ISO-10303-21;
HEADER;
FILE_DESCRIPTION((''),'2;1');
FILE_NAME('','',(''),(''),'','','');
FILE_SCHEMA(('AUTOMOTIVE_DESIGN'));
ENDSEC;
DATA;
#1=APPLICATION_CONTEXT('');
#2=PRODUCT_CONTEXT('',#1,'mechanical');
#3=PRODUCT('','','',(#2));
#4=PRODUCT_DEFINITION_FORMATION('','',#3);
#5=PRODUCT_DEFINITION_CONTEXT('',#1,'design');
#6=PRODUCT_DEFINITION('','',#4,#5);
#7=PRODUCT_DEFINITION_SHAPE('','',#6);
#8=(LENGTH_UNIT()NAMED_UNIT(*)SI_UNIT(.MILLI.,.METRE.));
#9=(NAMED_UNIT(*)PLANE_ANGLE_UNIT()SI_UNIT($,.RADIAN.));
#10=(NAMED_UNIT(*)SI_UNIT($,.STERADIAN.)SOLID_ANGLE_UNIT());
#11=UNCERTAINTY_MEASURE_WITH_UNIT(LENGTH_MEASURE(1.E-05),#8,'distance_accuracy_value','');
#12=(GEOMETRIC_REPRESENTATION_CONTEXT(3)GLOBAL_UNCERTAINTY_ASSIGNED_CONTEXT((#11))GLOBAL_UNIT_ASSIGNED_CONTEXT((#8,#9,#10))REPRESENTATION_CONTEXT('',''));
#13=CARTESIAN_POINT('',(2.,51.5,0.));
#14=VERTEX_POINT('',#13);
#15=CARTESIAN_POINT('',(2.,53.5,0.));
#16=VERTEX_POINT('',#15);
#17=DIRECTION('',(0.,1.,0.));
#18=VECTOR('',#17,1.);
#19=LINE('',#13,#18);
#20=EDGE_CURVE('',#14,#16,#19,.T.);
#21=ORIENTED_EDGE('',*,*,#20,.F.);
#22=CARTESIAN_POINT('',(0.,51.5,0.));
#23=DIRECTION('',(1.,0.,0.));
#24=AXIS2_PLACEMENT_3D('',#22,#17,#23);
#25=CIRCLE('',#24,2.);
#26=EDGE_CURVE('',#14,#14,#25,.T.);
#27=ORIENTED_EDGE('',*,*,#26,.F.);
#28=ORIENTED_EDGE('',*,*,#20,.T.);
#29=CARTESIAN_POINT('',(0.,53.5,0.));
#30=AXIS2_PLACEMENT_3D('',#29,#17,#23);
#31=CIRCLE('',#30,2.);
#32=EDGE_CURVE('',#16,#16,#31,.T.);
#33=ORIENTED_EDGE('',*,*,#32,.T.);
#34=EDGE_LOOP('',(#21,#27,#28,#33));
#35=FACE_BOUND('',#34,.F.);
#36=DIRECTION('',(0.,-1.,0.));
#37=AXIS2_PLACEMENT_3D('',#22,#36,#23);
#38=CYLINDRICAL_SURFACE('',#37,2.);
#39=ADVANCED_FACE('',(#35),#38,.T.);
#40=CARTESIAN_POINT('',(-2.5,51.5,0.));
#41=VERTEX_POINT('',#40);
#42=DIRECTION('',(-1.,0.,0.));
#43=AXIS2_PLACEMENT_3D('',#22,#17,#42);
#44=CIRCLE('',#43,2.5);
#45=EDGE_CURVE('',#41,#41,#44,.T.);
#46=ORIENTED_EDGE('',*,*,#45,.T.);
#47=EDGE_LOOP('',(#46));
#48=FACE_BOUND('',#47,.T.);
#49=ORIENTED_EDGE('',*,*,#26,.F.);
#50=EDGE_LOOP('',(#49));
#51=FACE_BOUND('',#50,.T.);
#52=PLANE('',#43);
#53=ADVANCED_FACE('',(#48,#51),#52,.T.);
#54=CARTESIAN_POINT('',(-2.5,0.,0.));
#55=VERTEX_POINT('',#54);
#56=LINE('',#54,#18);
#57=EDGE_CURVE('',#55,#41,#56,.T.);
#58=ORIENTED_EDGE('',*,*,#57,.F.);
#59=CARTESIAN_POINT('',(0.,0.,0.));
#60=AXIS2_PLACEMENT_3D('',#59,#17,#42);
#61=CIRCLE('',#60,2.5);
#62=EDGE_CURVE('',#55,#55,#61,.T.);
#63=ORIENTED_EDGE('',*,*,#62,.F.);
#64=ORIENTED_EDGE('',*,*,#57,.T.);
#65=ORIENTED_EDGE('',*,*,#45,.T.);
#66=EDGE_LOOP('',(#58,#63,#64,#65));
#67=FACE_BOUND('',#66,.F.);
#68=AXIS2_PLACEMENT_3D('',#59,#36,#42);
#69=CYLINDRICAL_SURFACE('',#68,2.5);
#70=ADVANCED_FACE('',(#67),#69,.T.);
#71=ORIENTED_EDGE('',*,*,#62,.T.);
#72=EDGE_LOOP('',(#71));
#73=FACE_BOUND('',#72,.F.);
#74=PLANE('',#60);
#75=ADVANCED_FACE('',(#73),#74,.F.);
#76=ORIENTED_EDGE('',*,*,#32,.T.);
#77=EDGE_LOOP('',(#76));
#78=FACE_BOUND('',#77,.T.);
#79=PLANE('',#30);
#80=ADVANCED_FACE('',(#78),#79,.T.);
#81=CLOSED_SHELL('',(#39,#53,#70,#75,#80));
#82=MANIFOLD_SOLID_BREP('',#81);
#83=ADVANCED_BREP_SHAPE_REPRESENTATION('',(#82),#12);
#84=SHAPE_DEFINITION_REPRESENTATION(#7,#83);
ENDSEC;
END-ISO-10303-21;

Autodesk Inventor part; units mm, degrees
ref_plane "YZ Plane" through (0, 0, 0) normal (1, 0, 0) x (0, 1, 0)
ref_plane "XZ Plane" through (0, 0, 0) normal (0, 1, 0) x (-1, 0, 0)
ref_plane "XY Plane" through (0, 0, 0) normal (0, 0, 1) x (1, 0, 0)
sketch "Sketch1" plane through (0, 0, 0) normal (0, 1, 0) x (-1, 0, 0)
  circle A0 centre (0, 0) radius 2.5
  dimension "d0" = 5
extrude "Extrusion1" add sketch "Sketch1" along normal blind 51.5
sketch "Sketch2" plane through (0, 51.5, 0) normal (0, 1, 0) x (1, 0, 0)
  circle A0 centre (0, 0) radius 2
  dimension "d3" = 4
extrude "Extrusion2" add sketch "Sketch2" along normal blind 2
properties part number "Shaft"
